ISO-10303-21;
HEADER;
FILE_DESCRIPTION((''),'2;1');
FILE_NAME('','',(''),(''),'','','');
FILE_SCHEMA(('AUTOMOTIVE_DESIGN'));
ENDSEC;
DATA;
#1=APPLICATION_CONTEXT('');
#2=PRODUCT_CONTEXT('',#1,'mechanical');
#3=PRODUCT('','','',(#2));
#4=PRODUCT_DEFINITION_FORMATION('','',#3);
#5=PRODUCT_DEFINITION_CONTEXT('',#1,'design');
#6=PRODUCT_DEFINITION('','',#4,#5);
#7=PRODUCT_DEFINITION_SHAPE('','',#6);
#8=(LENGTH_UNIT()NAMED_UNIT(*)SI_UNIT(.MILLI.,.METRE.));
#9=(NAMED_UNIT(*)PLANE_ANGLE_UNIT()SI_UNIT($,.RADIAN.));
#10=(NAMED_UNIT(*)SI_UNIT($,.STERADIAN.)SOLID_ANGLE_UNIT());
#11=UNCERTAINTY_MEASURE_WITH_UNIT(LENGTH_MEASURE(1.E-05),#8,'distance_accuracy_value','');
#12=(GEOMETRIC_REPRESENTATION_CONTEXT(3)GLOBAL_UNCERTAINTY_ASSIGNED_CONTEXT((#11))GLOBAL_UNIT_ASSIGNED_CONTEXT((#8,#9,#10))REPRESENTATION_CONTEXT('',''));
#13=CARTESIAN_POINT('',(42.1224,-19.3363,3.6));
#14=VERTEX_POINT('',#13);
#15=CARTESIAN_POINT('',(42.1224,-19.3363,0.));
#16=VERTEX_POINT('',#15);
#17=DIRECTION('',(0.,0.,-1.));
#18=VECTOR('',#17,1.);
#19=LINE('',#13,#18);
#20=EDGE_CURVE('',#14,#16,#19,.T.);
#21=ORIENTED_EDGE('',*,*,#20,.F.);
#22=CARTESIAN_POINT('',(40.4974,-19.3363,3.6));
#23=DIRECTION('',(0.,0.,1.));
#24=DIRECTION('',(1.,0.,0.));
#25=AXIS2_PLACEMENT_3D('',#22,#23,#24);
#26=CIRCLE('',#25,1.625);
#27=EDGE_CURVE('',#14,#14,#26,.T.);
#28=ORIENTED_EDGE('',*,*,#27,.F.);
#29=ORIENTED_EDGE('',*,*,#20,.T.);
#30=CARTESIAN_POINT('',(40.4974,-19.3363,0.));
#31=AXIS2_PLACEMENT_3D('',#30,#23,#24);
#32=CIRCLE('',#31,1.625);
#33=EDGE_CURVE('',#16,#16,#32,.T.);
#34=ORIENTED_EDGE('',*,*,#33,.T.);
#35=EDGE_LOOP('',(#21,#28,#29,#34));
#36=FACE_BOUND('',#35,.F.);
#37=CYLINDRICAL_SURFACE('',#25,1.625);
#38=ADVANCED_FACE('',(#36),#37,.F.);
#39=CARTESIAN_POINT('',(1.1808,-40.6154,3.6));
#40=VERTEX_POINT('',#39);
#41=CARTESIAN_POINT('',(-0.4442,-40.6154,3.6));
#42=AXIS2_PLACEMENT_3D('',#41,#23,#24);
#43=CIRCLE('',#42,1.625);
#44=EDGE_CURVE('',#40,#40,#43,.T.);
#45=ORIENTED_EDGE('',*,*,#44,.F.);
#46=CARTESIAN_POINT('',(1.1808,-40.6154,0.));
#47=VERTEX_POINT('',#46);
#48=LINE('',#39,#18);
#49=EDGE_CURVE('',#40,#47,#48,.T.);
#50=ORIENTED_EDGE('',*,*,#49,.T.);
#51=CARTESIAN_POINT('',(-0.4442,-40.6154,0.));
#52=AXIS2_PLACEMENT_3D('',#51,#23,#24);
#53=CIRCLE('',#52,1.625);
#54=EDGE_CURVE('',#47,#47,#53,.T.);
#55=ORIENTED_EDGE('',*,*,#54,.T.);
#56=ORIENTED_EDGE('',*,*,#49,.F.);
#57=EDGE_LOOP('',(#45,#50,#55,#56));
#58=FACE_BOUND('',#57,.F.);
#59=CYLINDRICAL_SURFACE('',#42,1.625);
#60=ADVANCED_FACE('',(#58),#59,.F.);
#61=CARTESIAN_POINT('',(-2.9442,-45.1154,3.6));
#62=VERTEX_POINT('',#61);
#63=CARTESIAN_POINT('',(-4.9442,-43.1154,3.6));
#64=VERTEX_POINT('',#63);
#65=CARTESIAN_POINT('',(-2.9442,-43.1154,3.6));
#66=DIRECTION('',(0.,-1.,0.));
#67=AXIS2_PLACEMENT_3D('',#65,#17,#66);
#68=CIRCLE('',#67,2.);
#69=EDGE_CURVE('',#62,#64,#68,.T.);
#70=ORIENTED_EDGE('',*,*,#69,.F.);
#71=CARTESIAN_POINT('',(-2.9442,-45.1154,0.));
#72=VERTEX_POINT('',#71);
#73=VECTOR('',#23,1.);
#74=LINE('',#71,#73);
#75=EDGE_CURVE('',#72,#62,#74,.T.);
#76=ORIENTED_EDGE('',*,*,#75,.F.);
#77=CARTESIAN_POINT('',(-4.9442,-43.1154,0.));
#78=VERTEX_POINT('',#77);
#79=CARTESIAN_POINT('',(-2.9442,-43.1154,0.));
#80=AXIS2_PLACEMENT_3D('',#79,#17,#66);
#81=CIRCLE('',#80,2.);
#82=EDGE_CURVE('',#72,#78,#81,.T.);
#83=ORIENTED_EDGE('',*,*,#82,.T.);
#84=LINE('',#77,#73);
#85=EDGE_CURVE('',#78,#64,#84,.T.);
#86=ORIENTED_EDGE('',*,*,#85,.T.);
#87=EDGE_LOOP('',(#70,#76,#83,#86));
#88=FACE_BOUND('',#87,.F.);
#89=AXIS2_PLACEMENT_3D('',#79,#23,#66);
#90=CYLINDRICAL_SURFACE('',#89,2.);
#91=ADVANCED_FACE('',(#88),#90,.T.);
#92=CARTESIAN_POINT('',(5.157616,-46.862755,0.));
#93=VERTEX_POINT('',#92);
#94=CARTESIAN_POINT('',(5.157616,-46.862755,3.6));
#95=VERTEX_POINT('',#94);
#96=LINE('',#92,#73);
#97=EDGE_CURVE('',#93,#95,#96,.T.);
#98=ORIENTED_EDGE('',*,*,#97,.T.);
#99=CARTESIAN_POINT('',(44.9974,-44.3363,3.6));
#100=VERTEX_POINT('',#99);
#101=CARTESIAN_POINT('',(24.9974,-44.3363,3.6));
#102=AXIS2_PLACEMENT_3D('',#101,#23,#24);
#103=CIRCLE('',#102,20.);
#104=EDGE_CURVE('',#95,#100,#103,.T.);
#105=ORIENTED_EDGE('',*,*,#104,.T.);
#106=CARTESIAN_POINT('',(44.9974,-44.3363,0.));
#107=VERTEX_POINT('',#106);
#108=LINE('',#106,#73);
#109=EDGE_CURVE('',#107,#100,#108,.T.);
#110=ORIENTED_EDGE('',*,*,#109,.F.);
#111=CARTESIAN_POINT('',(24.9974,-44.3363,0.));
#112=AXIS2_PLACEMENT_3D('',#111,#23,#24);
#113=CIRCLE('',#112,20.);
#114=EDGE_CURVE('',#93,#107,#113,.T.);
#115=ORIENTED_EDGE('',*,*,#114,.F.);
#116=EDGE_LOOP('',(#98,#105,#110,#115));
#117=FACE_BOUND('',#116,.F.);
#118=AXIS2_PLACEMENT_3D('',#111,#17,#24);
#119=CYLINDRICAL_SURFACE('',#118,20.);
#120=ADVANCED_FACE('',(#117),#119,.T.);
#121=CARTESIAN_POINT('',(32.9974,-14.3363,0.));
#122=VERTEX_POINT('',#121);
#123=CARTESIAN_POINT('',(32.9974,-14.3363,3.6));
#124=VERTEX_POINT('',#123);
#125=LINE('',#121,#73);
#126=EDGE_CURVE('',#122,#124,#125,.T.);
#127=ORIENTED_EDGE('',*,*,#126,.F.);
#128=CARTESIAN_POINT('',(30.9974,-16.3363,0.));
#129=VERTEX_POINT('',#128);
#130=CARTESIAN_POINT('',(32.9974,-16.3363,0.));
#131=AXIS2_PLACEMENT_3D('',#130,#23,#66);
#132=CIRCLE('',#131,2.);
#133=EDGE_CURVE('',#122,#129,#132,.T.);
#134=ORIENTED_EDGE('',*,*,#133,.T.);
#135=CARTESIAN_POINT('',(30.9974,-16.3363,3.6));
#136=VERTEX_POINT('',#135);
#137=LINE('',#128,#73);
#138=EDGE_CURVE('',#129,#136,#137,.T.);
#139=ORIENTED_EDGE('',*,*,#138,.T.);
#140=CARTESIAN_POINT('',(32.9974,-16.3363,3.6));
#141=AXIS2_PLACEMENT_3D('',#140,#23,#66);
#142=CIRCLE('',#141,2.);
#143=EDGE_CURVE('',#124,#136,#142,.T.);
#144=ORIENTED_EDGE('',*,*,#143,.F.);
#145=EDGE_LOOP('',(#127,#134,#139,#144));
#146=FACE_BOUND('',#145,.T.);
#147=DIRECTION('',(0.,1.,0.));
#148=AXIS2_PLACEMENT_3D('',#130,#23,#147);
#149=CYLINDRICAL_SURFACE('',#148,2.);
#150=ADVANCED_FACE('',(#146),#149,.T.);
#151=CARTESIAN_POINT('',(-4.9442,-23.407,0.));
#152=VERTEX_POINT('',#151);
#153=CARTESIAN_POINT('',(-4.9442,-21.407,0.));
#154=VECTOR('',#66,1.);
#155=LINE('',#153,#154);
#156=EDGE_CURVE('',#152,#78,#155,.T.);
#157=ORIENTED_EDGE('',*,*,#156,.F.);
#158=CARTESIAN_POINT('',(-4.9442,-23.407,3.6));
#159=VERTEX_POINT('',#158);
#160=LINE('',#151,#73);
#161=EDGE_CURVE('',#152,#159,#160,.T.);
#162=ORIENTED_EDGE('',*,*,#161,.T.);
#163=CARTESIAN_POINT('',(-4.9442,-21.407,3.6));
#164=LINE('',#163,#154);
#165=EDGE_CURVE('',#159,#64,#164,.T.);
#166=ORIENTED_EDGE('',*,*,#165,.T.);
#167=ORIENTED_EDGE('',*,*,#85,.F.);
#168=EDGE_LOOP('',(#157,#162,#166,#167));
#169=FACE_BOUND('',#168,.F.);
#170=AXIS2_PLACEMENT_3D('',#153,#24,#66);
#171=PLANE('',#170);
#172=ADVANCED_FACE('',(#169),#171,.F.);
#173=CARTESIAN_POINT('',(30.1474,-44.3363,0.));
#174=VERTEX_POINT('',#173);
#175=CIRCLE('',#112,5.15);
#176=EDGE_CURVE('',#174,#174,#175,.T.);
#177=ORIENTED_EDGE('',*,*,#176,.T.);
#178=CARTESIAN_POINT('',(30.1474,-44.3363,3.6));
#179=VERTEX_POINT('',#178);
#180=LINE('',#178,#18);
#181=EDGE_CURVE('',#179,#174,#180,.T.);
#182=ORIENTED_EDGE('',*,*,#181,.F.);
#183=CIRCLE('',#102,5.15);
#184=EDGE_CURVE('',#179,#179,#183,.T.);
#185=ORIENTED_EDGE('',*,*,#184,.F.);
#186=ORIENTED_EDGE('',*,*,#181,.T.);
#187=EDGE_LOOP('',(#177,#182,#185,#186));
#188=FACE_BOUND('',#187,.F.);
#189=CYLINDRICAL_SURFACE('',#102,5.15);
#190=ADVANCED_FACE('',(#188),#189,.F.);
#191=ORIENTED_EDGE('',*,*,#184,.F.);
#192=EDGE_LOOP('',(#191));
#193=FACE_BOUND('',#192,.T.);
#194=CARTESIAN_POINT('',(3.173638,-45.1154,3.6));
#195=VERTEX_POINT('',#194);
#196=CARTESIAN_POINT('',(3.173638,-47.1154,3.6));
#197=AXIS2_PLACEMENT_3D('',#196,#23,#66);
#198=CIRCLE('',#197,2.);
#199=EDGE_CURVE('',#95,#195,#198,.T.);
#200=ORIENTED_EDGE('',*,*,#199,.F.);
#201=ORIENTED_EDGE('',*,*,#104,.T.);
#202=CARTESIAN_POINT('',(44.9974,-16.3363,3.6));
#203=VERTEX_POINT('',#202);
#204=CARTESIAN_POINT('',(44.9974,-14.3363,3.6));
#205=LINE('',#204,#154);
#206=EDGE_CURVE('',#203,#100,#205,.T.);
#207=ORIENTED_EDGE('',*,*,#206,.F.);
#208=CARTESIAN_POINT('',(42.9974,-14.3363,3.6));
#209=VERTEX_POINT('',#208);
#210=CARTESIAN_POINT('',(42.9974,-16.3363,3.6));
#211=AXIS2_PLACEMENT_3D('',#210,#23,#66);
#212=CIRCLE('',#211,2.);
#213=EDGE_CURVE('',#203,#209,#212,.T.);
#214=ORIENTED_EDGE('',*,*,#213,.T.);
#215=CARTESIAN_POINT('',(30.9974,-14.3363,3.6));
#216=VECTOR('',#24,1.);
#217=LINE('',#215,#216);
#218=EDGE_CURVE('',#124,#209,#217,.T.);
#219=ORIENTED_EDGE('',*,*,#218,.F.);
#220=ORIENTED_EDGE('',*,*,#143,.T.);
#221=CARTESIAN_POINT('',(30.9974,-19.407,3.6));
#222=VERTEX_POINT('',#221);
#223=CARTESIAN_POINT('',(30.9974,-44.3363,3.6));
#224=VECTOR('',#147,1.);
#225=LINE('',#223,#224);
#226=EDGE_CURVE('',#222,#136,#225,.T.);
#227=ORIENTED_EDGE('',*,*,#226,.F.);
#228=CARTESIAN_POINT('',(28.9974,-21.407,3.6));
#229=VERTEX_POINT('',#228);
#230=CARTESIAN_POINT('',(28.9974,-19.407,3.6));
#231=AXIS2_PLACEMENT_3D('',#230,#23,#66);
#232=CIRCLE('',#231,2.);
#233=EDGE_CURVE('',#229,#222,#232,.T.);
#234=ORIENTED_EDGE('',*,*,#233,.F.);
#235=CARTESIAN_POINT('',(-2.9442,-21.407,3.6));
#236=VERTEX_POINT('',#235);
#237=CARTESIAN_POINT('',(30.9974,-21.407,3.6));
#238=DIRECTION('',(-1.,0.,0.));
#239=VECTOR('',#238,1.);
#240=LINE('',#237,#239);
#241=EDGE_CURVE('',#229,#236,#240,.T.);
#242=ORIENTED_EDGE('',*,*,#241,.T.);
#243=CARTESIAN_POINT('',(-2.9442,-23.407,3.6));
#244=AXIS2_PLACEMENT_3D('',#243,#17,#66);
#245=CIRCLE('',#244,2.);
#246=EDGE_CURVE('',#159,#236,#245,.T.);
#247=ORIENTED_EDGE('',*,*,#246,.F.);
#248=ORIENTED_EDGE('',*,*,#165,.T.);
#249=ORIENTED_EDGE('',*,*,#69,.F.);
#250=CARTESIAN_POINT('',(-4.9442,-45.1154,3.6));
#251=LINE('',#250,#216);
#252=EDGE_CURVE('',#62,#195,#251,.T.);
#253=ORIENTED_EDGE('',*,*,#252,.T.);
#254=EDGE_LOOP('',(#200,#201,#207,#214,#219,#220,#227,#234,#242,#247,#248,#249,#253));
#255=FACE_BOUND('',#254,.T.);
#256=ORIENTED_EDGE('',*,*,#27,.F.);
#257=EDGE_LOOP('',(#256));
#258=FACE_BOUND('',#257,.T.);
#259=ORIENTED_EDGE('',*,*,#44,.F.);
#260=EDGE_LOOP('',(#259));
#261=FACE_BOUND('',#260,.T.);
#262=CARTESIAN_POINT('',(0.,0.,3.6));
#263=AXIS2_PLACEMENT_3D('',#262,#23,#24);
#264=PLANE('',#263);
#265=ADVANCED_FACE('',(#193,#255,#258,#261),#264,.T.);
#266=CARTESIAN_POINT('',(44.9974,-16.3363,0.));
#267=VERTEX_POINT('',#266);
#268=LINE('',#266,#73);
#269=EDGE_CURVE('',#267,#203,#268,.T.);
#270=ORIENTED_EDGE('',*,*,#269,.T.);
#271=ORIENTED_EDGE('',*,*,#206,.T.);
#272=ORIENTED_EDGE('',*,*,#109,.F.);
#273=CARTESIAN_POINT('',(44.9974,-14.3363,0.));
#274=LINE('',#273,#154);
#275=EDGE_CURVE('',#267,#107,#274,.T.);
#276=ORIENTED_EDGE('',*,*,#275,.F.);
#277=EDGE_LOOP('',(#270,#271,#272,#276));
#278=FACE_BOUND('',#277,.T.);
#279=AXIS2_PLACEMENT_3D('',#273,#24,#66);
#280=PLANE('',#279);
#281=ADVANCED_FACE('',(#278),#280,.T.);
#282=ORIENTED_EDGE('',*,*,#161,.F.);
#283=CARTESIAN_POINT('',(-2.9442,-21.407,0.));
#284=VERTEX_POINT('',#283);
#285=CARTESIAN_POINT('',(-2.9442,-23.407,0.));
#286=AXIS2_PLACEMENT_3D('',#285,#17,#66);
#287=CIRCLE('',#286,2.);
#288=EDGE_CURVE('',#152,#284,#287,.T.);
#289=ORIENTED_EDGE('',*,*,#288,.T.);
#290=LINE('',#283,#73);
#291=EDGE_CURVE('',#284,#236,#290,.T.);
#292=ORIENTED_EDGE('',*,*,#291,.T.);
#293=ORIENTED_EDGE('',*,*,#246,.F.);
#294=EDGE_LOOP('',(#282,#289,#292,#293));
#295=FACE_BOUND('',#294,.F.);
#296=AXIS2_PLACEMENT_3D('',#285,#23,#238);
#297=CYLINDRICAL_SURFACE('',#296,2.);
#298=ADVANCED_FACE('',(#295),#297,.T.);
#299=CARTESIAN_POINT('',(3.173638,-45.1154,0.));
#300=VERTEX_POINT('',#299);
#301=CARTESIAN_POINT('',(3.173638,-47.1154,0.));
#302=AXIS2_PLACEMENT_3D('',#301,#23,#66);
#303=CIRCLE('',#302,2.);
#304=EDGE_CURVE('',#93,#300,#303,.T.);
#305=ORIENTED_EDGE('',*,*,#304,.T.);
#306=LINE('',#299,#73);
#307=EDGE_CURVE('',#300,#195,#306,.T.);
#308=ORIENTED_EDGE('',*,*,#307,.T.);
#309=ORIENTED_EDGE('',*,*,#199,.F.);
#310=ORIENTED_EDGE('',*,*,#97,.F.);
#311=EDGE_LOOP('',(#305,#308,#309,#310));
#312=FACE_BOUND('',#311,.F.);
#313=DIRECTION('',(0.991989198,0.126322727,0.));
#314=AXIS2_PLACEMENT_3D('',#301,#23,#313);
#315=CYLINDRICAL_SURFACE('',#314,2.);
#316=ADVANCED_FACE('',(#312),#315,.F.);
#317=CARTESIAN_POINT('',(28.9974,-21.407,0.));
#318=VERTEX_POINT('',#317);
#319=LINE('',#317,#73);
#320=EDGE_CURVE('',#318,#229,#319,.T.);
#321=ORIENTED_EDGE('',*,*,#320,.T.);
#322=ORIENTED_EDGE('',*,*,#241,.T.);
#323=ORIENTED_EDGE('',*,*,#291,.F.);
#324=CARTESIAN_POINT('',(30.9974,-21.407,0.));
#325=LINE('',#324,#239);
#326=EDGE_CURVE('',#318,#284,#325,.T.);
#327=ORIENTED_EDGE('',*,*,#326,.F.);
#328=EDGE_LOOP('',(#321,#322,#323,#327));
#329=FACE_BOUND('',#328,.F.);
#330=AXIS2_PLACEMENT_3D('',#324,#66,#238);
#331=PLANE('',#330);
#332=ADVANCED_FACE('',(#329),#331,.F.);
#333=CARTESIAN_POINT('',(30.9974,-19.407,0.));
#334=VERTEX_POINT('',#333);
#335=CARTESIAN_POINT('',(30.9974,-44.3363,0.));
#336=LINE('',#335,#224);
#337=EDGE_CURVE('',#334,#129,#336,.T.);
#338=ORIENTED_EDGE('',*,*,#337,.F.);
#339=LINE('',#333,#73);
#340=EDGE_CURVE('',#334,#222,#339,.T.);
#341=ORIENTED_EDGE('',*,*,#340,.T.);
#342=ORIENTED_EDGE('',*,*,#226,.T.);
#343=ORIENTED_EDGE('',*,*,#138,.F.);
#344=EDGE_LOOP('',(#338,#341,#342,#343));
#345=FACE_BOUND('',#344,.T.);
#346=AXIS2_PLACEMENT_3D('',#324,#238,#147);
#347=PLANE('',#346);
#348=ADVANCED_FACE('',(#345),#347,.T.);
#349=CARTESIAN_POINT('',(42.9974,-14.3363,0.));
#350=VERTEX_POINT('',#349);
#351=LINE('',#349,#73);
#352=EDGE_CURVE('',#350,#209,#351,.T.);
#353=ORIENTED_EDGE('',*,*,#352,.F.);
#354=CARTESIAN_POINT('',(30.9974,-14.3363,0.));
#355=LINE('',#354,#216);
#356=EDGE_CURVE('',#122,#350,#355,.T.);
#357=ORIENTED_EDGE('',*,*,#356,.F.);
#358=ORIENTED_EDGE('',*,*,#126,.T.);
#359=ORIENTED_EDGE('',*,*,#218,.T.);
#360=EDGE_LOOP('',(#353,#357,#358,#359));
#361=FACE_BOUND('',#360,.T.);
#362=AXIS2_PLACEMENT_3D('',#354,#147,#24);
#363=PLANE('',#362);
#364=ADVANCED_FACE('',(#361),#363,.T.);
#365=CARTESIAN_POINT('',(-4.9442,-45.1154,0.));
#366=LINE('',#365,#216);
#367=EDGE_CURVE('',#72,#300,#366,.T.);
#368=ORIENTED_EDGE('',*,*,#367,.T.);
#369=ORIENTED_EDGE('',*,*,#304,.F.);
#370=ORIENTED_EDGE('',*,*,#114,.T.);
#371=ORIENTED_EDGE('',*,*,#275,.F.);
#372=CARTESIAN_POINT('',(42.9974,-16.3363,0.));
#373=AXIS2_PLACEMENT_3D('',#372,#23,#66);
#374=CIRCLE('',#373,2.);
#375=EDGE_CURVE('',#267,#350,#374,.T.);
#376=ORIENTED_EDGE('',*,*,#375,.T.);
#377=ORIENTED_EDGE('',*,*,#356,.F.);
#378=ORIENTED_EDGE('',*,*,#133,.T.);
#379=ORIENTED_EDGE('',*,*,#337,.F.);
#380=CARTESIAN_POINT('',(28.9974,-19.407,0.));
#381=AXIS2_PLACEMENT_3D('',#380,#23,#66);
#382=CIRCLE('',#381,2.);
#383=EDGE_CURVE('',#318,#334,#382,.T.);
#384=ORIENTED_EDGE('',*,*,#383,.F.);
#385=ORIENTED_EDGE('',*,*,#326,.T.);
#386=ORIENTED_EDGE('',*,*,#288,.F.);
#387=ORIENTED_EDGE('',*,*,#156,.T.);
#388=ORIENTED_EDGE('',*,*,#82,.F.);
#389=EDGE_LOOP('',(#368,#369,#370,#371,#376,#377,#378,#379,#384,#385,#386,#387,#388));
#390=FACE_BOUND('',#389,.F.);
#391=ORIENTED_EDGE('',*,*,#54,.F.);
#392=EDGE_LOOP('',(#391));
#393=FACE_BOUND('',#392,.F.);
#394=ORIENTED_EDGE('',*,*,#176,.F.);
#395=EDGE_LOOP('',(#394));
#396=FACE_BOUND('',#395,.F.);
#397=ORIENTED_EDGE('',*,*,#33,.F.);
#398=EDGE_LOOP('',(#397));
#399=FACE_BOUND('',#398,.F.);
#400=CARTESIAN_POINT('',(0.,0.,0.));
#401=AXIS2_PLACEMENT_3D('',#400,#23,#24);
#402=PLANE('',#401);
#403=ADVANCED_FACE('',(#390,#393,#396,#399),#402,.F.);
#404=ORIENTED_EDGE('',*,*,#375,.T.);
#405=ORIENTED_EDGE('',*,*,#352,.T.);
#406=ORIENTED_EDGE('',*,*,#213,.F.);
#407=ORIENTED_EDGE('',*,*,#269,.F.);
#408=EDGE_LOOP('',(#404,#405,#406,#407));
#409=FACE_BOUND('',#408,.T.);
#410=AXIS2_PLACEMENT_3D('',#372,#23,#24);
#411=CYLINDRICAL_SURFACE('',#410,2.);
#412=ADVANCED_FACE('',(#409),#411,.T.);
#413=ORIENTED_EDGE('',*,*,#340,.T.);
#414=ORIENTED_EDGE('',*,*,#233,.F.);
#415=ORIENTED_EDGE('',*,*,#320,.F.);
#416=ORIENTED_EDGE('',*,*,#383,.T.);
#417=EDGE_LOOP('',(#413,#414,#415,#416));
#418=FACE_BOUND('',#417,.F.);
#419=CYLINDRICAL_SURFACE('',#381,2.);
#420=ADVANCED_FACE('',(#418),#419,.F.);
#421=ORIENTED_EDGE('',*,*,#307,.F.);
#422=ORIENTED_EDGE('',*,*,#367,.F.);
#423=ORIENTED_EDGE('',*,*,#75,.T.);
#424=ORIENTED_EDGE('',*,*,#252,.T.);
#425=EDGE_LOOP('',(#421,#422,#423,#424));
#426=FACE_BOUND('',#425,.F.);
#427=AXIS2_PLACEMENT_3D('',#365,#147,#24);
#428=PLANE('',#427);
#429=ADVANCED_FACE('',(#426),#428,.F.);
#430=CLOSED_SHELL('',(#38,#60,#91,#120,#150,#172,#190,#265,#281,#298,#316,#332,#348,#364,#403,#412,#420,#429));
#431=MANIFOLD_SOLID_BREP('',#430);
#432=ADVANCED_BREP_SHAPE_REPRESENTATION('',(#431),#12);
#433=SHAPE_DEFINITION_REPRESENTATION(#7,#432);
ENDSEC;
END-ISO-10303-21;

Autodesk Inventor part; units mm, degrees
ref_plane "YZ Plane" through (0, 0, 0) normal (1, 0, 0) x (0, 1, 0)
ref_plane "XZ Plane" through (0, 0, 0) normal (0, 1, 0) x (-1, 0, 0)
ref_plane "XY Plane" through (0, 0, 0) normal (0, 0, 1) x (1, 0, 0)
sketch "Sketch1" plane through (0, 0, 0) normal (0, 0, 1) x (1, 0, 0)
  circle A0 centre (24.9974, -44.3363) radius 20
  line L0 (44.9974, -44.3363) -> (30.9974, -44.3363)
  line L1 (30.9974, -44.3363) -> (30.9974, -14.3363)
  line L2 (30.9974, -14.3363) -> (44.9974, -14.3363)
  line L3 (44.9974, -14.3363) -> (44.9974, -44.3363)
  line L4 (30.9974, -21.407) -> (-4.9442, -21.407)
  line L5 (-4.9442, -21.407) -> (-4.9442, -45.1154)
  line L6 (-4.9442, -45.1154) -> (30.9974, -45.1154)
  line L7 (30.9974, -45.1154) -> (30.9974, -21.407)
  point P0 (0, 0)
  dimension "d0" = 40
  dimension "d1" = 14
  dimension "d2" = 30
extrude "Extrusion1" add sketch "Sketch1" along normal blind 3.6
sketch "Sketch2" plane through (0, 0, 3.6) normal (0, 0, 1) x (1, 0, 0)
  arc A0 (5.0125, -45.1154) -> (44.9974, -44.3363) centre (24.9974, -44.3363) ccw projected
  circle A1 centre (24.9974, -44.3363) radius 5.15
  circle A2 centre (-0.4442, -40.6154) radius 1.625
  line L0 (-4.9442, -21.407) -> (-4.9442, -45.1154) projected
  line L1 (-4.9442, -45.1154) -> (5.0125, -45.1154) projected
  circle A3 centre (40.4974, -19.3363) radius 1.625
  line L2 (44.9974, -44.3363) -> (44.9974, -14.3363) projected
  point P0 (0, 0)
  dimension "d5" = 10.3
  dimension "d6" = 3.25
  dimension "d9" = 4.5
  dimension "d10" = 4.5
  dimension "d11" = 3.25
  dimension "d12" = 4.5
  dimension "d13" = 25
extrude "Extrusion2" cut sketch "Sketch2" against normal blind 20
fillet "Fillet1" radius 2 6 edges at (44.9974, -14.3363, 1.8) (-4.9442, -45.1154, 1.8) (30.9974, -14.3363, 1.8) (-4.9442, -21.407, 1.8) (30.9974, -21.407, 1.8) (5.0125, -45.1154, 1.8)
properties part number "p6"
